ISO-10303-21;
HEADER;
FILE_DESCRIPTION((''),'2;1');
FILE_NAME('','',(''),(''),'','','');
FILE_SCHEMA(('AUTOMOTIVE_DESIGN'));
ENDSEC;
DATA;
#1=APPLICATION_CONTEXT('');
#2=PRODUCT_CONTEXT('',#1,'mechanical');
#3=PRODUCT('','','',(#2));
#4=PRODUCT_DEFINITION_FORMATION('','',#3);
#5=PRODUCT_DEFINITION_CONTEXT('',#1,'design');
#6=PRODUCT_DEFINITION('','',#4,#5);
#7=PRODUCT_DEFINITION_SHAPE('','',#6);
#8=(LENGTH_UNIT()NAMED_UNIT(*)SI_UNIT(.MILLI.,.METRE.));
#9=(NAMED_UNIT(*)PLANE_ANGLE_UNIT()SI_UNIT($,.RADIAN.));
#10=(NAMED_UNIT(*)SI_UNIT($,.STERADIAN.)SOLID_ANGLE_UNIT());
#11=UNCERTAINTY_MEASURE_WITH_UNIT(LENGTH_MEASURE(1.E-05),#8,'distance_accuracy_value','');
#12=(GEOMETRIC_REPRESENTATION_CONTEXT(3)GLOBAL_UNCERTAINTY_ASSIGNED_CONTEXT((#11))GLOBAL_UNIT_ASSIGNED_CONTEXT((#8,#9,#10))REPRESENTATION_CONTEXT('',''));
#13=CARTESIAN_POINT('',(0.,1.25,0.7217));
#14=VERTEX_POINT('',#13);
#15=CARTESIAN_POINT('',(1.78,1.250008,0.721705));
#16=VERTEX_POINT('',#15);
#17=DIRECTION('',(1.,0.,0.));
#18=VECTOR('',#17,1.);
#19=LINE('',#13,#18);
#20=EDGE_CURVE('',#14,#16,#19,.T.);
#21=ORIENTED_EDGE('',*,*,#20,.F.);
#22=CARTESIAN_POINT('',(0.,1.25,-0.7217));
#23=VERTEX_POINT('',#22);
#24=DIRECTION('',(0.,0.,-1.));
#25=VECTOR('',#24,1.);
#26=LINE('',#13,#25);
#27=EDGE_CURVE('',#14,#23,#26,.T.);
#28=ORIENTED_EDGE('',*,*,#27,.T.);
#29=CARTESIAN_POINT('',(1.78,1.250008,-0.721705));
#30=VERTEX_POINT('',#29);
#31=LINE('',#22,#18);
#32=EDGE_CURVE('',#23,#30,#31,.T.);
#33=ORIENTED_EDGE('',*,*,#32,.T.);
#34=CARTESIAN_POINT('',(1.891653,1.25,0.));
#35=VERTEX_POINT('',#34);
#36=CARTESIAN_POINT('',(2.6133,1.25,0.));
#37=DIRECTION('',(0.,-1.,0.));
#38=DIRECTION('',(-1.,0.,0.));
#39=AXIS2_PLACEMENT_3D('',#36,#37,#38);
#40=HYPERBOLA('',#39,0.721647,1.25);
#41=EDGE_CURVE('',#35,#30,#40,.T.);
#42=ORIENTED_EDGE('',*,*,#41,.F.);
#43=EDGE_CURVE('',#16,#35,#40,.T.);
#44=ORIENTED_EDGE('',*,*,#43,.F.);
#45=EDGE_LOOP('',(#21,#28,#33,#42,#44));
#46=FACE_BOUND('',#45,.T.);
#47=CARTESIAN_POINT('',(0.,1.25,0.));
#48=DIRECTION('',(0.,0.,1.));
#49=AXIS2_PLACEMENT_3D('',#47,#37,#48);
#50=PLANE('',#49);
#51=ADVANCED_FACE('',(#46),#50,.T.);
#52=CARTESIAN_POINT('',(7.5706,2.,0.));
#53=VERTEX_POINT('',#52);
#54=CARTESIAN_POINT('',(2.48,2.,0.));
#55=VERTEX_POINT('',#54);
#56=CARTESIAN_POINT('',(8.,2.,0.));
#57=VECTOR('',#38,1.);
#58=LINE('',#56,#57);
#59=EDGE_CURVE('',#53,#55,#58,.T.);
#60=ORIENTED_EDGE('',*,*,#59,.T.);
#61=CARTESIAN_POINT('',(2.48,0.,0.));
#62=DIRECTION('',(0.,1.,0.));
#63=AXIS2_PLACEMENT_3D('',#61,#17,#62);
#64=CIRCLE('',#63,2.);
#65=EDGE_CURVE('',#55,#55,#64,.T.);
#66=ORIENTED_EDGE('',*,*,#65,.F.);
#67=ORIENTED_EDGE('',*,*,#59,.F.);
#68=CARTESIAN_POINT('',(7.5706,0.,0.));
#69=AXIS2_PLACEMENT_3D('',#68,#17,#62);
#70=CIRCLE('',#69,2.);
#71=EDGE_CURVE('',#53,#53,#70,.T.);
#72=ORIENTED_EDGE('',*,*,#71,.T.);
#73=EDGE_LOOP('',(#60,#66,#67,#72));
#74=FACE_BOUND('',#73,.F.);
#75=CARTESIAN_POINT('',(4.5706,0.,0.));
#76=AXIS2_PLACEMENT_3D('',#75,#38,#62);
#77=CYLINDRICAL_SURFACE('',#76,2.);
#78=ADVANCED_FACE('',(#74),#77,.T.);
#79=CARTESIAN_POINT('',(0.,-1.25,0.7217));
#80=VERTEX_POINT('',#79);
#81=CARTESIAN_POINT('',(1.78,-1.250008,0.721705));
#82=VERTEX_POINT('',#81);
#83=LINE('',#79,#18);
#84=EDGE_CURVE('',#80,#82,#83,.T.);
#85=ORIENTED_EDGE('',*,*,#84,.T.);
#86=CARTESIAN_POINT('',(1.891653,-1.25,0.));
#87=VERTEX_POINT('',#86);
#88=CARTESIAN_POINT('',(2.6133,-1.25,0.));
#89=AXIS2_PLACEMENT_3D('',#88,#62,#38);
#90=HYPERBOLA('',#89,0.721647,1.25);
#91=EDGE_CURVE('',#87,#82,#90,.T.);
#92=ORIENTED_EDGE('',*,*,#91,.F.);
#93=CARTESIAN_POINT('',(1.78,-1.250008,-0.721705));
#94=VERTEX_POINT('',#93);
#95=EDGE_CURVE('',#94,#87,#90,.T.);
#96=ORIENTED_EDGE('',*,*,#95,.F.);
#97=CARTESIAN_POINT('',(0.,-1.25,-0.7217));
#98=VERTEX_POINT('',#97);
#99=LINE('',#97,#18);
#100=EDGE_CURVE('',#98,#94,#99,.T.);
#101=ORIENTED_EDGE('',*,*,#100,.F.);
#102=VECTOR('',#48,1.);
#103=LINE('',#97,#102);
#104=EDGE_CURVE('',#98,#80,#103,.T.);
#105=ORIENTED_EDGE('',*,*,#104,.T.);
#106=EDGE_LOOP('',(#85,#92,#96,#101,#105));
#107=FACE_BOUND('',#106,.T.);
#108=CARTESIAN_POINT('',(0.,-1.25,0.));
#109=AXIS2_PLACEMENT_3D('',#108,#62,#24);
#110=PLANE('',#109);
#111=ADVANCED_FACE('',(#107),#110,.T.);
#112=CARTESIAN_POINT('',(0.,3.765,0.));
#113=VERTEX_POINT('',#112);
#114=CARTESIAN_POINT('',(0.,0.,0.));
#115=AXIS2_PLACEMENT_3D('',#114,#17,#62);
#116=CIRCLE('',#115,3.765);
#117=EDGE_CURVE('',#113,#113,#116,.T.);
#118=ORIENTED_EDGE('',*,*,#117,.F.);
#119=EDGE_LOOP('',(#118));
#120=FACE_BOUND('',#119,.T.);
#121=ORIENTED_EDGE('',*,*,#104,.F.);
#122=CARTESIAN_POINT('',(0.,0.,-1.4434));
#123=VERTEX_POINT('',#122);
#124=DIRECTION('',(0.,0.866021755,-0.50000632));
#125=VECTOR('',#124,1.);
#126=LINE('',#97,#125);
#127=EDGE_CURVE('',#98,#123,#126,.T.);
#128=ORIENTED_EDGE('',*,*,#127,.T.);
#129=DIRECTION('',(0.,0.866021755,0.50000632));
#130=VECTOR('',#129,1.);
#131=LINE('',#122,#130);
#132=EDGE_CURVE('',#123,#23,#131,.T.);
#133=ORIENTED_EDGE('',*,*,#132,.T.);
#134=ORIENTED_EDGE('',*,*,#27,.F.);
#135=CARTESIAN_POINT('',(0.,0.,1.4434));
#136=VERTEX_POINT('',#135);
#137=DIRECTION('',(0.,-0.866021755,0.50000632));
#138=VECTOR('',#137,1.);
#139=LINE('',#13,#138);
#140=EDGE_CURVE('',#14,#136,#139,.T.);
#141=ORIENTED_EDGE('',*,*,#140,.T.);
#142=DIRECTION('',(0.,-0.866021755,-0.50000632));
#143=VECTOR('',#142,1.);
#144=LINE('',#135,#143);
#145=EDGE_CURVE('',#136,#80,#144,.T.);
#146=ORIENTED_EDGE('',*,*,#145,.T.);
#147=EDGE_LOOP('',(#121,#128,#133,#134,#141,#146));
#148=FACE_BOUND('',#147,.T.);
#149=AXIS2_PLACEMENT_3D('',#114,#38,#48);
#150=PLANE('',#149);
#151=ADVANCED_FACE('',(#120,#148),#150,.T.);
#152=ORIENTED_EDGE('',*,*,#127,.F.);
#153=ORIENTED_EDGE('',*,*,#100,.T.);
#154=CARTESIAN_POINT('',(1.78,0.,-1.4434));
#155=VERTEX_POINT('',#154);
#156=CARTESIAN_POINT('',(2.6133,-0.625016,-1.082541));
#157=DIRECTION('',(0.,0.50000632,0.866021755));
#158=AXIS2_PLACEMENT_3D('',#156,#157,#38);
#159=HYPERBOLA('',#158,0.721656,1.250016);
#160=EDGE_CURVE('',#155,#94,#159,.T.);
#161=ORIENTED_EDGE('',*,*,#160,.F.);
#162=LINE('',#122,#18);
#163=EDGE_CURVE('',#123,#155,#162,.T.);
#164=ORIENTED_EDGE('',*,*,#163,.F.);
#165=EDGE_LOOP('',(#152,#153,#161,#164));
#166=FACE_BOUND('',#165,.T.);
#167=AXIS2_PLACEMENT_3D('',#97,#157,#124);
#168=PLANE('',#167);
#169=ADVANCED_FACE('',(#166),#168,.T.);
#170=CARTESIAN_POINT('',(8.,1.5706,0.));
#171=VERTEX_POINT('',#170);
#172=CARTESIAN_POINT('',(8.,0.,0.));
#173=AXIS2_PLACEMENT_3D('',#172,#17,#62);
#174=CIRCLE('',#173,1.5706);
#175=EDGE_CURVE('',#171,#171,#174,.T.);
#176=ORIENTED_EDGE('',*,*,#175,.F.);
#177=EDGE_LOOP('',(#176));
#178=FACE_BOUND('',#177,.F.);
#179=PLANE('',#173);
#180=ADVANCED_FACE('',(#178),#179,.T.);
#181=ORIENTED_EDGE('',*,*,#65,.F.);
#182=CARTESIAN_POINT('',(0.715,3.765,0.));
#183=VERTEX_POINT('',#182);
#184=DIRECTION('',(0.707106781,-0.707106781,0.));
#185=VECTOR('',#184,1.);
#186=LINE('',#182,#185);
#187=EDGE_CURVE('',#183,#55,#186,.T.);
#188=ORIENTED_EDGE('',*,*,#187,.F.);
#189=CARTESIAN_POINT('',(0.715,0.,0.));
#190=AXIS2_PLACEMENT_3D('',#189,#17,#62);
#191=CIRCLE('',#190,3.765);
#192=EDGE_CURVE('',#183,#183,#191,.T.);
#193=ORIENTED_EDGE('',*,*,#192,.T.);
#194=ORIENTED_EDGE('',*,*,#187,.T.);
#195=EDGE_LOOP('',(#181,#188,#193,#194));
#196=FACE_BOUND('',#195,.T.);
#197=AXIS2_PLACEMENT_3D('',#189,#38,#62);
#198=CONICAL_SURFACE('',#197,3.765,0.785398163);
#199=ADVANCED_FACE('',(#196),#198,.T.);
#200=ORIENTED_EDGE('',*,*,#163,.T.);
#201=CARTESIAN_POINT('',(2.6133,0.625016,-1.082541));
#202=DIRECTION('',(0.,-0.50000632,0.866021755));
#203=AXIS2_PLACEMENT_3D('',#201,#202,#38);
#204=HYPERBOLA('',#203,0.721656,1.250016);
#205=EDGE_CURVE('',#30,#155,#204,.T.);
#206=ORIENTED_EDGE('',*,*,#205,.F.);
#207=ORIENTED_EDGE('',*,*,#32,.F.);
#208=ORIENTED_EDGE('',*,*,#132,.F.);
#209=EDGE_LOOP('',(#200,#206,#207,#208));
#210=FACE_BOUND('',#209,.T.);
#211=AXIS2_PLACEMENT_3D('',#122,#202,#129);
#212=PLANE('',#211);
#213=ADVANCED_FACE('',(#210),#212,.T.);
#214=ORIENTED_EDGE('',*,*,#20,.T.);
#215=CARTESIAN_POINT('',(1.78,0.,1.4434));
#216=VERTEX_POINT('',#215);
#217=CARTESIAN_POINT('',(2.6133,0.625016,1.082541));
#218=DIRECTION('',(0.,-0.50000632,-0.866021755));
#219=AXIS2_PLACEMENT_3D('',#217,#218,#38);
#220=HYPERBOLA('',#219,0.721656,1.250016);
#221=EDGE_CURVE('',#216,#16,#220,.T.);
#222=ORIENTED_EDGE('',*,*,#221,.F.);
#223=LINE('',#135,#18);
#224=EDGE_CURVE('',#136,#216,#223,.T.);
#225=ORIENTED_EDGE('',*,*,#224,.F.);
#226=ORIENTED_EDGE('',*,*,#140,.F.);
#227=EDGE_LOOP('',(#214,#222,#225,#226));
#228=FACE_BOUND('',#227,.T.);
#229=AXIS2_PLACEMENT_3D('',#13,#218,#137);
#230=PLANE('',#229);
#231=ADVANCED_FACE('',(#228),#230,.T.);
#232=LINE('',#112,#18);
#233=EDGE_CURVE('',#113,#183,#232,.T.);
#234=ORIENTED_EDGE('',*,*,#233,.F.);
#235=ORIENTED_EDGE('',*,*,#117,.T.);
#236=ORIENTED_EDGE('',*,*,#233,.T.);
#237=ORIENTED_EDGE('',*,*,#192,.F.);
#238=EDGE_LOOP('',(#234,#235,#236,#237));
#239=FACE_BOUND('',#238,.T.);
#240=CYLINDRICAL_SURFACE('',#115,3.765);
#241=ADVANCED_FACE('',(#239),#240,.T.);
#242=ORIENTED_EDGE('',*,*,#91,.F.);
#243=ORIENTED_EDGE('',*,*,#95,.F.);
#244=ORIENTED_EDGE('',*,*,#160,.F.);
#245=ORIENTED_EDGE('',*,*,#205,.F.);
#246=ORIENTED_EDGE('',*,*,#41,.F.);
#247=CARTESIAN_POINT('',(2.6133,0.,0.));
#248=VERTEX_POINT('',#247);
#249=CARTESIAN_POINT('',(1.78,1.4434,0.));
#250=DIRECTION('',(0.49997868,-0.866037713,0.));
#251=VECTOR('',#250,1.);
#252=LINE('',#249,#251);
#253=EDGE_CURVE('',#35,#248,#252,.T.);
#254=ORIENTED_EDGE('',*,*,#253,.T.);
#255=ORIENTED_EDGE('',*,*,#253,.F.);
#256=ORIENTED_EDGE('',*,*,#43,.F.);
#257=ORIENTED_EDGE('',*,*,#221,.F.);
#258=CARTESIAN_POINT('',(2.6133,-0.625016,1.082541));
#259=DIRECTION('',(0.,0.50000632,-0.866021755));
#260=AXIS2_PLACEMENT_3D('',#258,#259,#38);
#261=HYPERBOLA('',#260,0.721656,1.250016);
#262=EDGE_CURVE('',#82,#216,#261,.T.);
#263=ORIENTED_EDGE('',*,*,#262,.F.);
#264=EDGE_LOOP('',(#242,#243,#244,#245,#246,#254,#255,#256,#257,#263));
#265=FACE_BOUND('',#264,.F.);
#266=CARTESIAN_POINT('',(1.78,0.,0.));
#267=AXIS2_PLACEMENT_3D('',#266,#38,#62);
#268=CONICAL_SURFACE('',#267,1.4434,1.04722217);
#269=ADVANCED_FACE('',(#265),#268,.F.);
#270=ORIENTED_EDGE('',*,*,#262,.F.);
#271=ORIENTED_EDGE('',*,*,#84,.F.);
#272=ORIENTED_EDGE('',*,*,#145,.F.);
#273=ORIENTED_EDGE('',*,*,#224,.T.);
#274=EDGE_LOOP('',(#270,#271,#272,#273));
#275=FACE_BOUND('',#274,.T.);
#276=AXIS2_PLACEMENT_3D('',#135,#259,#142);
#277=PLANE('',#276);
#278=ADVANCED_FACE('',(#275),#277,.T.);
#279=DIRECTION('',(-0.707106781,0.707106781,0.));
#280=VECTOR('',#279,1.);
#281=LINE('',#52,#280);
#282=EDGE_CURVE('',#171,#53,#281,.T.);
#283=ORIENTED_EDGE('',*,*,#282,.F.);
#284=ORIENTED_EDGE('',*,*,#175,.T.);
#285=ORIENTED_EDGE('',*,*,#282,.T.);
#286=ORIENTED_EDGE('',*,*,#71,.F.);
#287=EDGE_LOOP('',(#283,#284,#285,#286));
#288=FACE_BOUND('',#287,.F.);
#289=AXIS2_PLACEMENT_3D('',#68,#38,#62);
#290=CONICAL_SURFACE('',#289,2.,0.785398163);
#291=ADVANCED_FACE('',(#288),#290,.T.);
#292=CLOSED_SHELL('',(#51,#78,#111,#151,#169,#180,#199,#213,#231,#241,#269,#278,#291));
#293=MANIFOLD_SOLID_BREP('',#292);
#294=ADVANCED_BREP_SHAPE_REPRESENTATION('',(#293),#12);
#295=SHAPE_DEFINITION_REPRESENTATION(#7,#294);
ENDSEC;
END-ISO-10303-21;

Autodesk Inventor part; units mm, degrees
ref_plane "YZ Plane" through (0, 0, 0) normal (1, 0, 0) x (0, 1, 0)
ref_plane "XZ Plane" through (0, 0, 0) normal (0, 1, 0) x (-1, 0, 0)
sketch "Skizze1" plane through (0, 0, 0) normal (0, 0, 1) x (1, 0, 0)
  line L0 (8, 0) -> (8, 2)
  line L1 (8, 2) -> (5, 2)
  line L2 (5, 2) -> (4.5706, 2)
  line L3 (0, 3.765) -> (0, 1.4434)
  line L4 (0, 1.4434) -> (1.78, 1.4434)
  line L5 (1.78, 1.4434) -> (2.6133, 0)
  line L6 (2.6133, 0) -> (8, 0)
  line L7 (0, 3.765) -> (0.715, 3.765)
  line L8 (0.715, 3.765) -> (2.48, 2)
  line L9 (4.5706, 2) -> (2.48, 2)
  line L10 (5, 2) -> (2.48, 2) construction
  line L11 (2.48, 2) -> (2.48, 2)
  line L12 (-1.6, 0) -> (9.6, 0) projected
  line L13 (0, -0.753) -> (0, 4.518) projected
  dimension "d0" = 8
  dimension "d1" = 3
  dimension "d2" = 1.78
  dimension "d3" = 4
  dimension "d6" = 2.48
  dimension "d7" = 45
  dimension "d8" = 2.8868
  dimension "d9" = 60
  dimension "d10" = 7.53
  dimension "d11" = 4
  dimension "d12" = 0.4294
revolve "Körper" add sketch "Skizze1" angle 360 about axis through (2.6133, 0, 0) along (1, 0, 0) contours L6 L5 L4 L3 L7 L8 L9 L2 L1 L0
sketch "Skizze2" plane through (0, 0, 0) normal (-1, 0, 0) x (0, 0, 1)
  circle A0 centre (0, 0) radius 1.4434 projected
  line L0 (0, -5.271) -> (0, 5.271) projected
  line L1 (-5.271, 0) -> (5.271, 0) projected
  line L2 (1.4434, 0) -> (0.7217, -1.25)
  line L3 (0.7217, -1.25) -> (-0.7217, -1.25)
  line L4 (-0.7217, -1.25) -> (-1.4434, 0)
  line L5 (-1.4434, 0) -> (-0.7217, 1.25)
  line L6 (-0.7217, 1.25) -> (0.7217, 1.25)
  line L7 (0.7217, 1.25) -> (1.4434, 0)
  point P0 (0, 1.4434)
extrude "Loch" add sketch "Skizze2" against normal up to next contours L7 A0 | A0 L2 | L6 L0 A0 | A0 L0 L3 | L0 L6 A0 | A0 L3 L0 | L4 A0 | A0 L5
thread "Gewinde" size "M4x0.7" class "6g" standard "ISO Metric profile" length 3
chamfer "Fase1" distance 0.4294 distance2 0.4294 1 edges at (8, -2, 0) measured on face at (8, -0.9581, 0.5552)
ref_plane "Work Plane1" through (104.775, 0, 0) normal (0, 0, -1) x (1, 0, 0)
equation "\"d15\" = GEL"
equation "\"d17\" = -0.5 * SPD + 0.5 * GD"
equation "\"d18\" = GUL"
equation "\"d0\" = NLG"
equation "\"d1\" = GEL"
equation "\"d2\" = INTI"
equation "\"d3\" = GD"
equation "\"d6\" = KOH"
equation "\"d7\" = 0.5 * SEWI"
equation "\"d8\" = 1.1547 * SW"
equation "\"d10\" = KOD"
equation "\"d11\" = BDM"
equation "\"d12\" = GAL"
equation "\"NLG\" = 8"
equation "\"INTI\" = 1.78"
equation "\"GEL\" = 3"
equation "\"GAL\" = 0.61345 * PTC"
equation "\"KOH\" = 2.48"
equation "\"KOD\" = 7.53"
equation "\"GUL\" = 0.61345 * PTC"
equation "\"SPD\" = NND - 1.2269 * PTC"
equation "\"BDM\" = NND"
equation "\"GD\" = NND"
equation "\"SEWI\" = 90deg"
equation "\"SW\" = 2.5"
equation "\"TOA\" = 30deg"
equation "\"GD1\" = THREADDIA - 1.2269 * PTC"
equation "\"EPV\" = 4.48"
equation "\"THREADDIA\" = 4"
equation "\"PTC\" = 0.7"
equation "\"NND\" = 4"
equation "\"E0\" = 2.89"
equation "\"THREADDESC\" = 1.2345"
properties part number "ISO 10642 - M4 x  8" material "Stahl"
